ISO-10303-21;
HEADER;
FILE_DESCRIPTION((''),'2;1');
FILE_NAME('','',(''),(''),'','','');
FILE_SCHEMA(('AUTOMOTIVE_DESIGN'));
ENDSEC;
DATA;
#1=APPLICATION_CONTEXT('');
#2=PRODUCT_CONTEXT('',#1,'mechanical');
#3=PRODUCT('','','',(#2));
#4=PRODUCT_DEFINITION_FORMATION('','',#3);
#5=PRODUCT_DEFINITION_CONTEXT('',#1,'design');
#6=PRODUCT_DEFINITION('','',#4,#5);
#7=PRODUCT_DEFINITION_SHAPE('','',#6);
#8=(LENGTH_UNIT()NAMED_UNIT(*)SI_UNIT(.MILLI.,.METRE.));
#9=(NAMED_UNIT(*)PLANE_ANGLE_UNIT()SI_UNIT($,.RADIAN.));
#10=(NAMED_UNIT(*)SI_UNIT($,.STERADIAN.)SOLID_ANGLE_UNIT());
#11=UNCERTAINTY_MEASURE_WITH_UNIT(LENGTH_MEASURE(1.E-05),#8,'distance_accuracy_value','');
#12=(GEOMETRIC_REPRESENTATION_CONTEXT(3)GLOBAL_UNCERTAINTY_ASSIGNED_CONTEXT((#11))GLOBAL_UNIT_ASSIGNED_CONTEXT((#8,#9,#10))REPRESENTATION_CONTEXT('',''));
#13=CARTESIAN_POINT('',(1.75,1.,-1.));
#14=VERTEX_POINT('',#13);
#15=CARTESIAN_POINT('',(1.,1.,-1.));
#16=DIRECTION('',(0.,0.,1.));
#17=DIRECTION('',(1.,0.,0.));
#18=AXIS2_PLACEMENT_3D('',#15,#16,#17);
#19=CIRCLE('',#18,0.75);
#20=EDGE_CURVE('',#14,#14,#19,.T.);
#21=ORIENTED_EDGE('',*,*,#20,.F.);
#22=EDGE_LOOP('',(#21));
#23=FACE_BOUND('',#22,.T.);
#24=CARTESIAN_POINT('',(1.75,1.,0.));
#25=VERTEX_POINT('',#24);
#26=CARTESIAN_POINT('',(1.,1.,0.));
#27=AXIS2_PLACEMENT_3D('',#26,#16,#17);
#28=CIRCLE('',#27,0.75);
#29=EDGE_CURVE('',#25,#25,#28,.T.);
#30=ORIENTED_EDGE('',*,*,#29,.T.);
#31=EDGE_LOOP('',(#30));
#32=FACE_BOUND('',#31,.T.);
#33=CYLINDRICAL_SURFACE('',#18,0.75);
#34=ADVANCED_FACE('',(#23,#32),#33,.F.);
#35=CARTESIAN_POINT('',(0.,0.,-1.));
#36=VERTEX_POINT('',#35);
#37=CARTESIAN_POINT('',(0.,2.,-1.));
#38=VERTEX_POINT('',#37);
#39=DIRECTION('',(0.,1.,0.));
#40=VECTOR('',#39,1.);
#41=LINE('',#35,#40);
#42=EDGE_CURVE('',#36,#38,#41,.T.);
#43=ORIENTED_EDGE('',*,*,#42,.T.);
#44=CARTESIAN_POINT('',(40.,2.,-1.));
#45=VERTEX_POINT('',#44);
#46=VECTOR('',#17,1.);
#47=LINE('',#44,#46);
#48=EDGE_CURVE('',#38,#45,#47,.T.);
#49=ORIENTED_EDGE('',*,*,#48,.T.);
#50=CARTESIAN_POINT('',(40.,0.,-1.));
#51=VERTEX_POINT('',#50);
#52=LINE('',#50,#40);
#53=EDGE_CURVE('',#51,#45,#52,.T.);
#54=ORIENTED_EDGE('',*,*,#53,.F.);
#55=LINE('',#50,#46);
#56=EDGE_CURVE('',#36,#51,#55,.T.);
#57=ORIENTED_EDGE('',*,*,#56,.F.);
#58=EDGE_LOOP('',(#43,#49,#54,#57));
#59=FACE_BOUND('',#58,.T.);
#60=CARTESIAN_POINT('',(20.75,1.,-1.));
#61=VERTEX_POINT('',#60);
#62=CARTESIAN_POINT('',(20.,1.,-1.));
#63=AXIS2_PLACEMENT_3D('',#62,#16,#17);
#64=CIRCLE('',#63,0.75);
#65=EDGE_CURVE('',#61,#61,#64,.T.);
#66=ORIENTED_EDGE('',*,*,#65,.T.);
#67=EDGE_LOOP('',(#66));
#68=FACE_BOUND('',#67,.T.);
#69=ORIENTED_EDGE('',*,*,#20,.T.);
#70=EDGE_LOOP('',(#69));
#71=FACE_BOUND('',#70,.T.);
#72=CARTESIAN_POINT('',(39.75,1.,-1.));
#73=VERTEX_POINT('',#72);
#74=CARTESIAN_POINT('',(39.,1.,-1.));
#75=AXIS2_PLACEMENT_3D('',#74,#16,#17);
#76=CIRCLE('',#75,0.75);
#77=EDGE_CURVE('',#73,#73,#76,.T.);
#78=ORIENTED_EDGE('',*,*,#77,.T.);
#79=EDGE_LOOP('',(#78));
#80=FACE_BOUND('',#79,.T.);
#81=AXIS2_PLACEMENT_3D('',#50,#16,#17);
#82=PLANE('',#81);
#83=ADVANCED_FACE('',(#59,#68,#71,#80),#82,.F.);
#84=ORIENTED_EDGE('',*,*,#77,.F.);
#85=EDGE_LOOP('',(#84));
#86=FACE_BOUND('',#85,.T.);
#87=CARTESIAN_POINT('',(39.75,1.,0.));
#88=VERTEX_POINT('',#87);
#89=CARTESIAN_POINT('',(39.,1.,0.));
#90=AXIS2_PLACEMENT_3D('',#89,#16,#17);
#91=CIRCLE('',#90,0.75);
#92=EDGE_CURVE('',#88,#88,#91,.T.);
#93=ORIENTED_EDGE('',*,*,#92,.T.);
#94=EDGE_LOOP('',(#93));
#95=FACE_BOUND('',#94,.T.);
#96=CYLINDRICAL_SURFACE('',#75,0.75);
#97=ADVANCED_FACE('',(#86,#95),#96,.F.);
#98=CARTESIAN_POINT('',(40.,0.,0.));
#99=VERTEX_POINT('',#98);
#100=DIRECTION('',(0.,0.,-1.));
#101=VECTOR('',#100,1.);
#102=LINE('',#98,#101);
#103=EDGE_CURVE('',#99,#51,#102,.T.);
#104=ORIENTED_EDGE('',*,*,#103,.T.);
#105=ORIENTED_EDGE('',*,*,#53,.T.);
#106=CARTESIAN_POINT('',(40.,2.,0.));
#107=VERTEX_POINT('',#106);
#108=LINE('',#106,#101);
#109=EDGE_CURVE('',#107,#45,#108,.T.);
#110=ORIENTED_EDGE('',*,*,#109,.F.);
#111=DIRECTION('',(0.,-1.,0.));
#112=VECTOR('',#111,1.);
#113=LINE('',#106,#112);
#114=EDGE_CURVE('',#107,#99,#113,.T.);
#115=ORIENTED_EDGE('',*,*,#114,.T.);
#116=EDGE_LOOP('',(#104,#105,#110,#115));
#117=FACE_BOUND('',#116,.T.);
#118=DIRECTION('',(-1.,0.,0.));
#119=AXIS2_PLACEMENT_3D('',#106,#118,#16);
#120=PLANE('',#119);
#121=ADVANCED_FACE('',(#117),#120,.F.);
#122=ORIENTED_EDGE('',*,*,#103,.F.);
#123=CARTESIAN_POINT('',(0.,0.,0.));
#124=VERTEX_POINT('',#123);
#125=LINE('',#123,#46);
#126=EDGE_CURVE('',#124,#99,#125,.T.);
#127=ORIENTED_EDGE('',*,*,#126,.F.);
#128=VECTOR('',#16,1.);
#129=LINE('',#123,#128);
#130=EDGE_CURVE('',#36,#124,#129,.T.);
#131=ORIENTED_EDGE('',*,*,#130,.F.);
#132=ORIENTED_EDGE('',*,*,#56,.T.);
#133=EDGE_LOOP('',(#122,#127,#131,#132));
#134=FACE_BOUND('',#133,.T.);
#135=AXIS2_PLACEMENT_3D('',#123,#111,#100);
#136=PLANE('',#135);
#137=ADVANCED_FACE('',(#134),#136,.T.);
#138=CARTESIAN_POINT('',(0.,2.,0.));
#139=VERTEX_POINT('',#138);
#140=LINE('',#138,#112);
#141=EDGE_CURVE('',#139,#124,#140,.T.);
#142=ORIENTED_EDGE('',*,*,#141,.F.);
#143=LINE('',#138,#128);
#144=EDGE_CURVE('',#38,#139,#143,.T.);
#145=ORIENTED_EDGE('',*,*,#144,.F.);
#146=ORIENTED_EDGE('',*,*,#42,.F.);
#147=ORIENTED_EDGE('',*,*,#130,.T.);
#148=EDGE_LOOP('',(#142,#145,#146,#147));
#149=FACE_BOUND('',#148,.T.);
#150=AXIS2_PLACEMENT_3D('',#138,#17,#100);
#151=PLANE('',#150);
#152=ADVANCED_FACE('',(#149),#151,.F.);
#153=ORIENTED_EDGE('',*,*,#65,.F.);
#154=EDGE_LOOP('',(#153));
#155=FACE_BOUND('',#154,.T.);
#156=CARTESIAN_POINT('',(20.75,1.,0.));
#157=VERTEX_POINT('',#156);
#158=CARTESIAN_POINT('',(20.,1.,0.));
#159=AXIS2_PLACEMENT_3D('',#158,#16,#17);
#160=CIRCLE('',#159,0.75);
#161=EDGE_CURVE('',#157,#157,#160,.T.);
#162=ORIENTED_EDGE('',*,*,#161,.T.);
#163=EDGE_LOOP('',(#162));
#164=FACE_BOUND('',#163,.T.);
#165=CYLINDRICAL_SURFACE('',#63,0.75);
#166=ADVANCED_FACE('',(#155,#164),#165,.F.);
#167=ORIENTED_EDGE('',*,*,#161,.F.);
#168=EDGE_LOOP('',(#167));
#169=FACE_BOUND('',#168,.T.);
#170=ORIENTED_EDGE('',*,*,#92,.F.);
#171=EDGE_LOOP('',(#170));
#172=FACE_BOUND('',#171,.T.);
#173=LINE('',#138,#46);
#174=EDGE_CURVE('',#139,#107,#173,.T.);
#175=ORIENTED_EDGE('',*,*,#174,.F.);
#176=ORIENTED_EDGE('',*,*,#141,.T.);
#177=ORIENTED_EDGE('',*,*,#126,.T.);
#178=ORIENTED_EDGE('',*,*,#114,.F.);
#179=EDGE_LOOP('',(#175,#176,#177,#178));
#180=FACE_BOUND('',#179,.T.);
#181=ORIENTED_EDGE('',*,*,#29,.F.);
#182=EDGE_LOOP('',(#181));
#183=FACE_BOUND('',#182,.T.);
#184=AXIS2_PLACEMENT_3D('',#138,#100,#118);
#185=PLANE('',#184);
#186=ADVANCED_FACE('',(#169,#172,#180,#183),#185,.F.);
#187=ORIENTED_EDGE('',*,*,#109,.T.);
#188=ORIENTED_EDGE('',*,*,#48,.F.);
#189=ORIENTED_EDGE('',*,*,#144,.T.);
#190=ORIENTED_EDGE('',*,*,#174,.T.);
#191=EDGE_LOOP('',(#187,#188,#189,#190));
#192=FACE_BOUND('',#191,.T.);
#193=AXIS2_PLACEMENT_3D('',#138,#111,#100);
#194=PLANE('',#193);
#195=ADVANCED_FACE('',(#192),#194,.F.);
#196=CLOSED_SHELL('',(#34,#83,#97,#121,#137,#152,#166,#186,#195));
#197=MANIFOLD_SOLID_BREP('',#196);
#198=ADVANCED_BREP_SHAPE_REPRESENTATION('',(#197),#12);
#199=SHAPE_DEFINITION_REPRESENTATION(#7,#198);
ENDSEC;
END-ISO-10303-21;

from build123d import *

# Parameters (mm, degrees)
SKETCH1_W           = 40
SKETCH1_H           = 10
BOSS_EXTRUDE1_DEPTH = 2
SKETCH4_W           = 40
SKETCH4_H           = 9
CUT_EXTRUDE2_DEPTH  = 2
SKETCH5_R           = 0.75
CUT_EXTRUDE3_DEPTH  = 41.062451248


with BuildPart() as part:
    # Sketch1 → Boss-Extrude1 (new body)
    with BuildSketch(Plane(origin=(0, 0, 0), x_dir=(1, 0, 0), z_dir=(0, 1, 0))):
        with Locations((20, 5)):
            Rectangle(SKETCH1_W, SKETCH1_H)
    extrude(amount=BOSS_EXTRUDE1_DEPTH)

    # Sketch4 → Cut-Extrude2 (cut)
    with BuildSketch(Plane(origin=(0, 2, 0), x_dir=(1, 0, 0), z_dir=(0, 1, 0))):
        with Locations((20, 5.5)):
            Rectangle(SKETCH4_W, SKETCH4_H)
    extrude(amount=-CUT_EXTRUDE2_DEPTH, mode=Mode.SUBTRACT)

    # Sketch5 → Cut-Extrude3 (cut, through all)
    with BuildSketch(Plane.XY):
        with Locations((20, 1)):
            Circle(SKETCH5_R)
        with Locations((1, 1)):
            Circle(SKETCH5_R)
        with Locations((39, 1)):
            Circle(SKETCH5_R)
    extrude(amount=-CUT_EXTRUDE3_DEPTH, mode=Mode.SUBTRACT)


solid = part.part
